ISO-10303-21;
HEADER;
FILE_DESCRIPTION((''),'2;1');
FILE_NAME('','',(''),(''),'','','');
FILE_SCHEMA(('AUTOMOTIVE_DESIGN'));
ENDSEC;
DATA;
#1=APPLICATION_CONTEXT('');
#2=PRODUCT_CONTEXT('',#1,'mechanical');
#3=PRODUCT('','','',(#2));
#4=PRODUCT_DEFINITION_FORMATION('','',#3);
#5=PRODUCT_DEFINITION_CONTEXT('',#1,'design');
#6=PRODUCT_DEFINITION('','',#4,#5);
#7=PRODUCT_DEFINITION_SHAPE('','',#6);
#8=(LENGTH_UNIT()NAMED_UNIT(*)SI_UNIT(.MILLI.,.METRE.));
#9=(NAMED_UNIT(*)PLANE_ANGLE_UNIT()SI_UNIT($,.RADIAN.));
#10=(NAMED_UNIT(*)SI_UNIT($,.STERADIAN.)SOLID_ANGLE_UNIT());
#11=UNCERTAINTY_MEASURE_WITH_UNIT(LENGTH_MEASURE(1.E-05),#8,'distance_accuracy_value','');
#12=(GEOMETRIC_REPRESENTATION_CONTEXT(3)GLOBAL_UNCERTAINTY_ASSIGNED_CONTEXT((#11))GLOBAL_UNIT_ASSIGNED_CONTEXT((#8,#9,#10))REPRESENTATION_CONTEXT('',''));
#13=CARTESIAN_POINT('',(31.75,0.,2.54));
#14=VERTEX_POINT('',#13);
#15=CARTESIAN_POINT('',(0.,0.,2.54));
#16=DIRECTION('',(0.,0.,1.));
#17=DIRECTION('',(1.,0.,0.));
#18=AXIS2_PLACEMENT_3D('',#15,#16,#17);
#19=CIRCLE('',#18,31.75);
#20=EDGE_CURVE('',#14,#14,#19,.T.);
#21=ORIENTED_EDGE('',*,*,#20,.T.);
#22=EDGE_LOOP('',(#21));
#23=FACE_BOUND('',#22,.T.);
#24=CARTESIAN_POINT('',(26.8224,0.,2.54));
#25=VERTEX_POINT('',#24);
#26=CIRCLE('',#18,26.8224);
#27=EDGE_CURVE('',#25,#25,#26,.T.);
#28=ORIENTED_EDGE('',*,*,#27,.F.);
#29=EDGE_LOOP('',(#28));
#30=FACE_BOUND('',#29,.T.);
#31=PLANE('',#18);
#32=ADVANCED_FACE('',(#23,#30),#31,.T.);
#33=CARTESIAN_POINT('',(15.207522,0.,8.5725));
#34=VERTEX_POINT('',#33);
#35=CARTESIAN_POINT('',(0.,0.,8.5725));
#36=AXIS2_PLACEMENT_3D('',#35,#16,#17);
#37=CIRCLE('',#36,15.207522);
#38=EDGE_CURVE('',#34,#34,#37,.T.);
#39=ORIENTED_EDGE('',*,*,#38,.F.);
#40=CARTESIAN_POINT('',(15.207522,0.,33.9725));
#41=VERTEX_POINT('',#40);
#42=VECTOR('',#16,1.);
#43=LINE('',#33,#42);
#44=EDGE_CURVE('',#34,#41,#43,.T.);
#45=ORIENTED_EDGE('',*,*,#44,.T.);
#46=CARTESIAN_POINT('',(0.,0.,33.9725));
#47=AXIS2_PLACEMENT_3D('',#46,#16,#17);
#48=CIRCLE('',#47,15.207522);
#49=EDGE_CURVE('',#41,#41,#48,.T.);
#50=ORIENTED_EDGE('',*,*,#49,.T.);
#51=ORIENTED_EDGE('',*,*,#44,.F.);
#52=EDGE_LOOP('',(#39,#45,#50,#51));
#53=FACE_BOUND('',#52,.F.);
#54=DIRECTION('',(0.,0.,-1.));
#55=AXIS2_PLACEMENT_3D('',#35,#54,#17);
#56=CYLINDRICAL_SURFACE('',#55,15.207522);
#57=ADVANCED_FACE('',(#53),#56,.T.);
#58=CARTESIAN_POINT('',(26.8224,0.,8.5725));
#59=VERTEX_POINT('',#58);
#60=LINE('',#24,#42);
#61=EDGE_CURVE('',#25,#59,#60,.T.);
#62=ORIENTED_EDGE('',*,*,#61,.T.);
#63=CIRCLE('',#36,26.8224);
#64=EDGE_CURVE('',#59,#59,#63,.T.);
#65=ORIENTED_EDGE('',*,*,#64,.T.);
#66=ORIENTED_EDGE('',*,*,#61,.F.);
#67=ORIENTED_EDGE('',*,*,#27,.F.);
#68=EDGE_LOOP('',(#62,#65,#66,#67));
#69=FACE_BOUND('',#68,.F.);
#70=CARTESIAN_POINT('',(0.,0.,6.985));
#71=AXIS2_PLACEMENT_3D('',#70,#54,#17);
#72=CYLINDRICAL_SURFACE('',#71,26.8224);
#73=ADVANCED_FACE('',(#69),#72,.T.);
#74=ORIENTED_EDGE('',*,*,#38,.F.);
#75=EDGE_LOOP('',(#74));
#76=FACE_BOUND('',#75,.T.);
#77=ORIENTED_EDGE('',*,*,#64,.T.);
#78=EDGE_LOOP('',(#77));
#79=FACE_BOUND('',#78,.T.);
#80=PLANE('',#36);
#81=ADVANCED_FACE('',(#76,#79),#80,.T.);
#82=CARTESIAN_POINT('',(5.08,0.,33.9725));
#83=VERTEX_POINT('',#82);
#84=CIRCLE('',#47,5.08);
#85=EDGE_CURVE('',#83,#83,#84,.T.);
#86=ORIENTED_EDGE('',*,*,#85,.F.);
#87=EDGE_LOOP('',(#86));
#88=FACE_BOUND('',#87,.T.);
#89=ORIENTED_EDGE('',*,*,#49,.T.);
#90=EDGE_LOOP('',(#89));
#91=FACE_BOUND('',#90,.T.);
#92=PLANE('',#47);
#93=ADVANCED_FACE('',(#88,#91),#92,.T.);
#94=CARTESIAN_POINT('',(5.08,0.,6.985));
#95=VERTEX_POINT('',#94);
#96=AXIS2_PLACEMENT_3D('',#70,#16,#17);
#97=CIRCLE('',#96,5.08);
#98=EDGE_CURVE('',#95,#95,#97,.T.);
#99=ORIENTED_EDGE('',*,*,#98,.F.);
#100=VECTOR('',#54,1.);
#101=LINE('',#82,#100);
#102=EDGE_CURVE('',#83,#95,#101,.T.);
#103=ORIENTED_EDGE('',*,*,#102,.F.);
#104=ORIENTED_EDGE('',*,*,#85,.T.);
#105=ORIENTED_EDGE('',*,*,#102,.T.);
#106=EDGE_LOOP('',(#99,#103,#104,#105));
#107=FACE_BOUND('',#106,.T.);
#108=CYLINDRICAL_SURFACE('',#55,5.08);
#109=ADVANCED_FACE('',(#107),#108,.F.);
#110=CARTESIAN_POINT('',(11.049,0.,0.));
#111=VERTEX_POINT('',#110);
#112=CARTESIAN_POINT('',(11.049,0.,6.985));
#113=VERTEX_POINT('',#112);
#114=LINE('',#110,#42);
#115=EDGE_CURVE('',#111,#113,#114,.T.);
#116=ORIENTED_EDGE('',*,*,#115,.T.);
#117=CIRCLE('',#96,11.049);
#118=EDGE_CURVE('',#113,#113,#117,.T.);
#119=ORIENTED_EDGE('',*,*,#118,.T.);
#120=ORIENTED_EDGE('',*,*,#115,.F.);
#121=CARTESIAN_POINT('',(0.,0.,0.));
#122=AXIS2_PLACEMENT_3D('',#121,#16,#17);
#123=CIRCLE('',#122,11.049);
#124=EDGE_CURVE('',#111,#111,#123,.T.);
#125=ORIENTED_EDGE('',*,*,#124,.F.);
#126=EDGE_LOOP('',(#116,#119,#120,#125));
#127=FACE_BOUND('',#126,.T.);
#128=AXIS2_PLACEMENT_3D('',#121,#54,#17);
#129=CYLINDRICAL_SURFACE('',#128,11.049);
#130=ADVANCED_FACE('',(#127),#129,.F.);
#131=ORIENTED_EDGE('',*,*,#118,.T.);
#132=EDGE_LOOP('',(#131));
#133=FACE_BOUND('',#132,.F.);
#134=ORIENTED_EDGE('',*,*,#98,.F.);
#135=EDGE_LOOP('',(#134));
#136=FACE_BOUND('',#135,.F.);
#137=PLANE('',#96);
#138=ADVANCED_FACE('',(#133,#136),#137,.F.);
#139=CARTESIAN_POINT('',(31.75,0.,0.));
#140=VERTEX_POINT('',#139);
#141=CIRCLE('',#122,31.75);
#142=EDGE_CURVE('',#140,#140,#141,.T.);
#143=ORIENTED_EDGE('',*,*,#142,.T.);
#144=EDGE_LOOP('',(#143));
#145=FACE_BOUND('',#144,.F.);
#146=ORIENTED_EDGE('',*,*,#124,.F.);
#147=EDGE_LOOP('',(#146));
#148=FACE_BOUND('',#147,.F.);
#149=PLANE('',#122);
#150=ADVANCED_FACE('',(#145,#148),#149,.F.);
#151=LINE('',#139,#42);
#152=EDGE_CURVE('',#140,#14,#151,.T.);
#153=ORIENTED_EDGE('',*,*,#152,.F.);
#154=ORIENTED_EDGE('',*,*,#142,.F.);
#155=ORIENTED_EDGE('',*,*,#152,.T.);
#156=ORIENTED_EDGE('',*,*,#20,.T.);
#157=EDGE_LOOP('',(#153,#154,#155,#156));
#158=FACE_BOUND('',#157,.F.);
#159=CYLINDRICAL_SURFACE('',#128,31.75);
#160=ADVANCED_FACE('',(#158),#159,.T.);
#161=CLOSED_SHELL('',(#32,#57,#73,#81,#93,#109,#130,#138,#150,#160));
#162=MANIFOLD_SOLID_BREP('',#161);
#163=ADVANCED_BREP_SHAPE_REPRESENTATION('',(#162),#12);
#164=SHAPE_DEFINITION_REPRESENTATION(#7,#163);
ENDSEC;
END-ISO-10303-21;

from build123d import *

# Parameters (mm, degrees)
F0_R     = 26.8224
F0_R_2   = 11.049
F1_DEPTH = 6.985
F0_R_3   = 31.75
F2_DEPTH = 2.54
F3_R     = 26.8224
F3_R_2   = 11.049
F3_R_3   = 5.08
F4_DEPTH = 1.5875
F5_R     = 15.207522
F5_R_2   = 5.08
F6_DEPTH = 25.4


with BuildPart() as f1:
    # F0 (on Top) → F1 (new body)
    with BuildSketch(Plane.XY):
        Circle(F0_R)
        Circle(F0_R_2, mode=Mode.SUBTRACT)
    extrude(amount=F1_DEPTH)

    # F0 (on Top) → F2 (join)
    with BuildSketch(Plane.XY):
        Circle(F0_R_3)
        Circle(F0_R, mode=Mode.SUBTRACT)
    extrude(amount=F2_DEPTH)

    # F3 (on face) → F4 (join)
    with BuildSketch(Plane.XY.offset(6.985)):
        Circle(F3_R)
        Circle(F3_R_2, mode=Mode.SUBTRACT)
        Circle(F3_R_2)
        Circle(F3_R_3, mode=Mode.SUBTRACT)
    extrude(amount=F4_DEPTH)

    # F5 (on face) → F6 (join)
    with BuildSketch(Plane.XY.offset(8.5725)):
        Circle(F5_R)
        Circle(F5_R_2, mode=Mode.SUBTRACT)
    extrude(amount=F6_DEPTH)


solid = f1.part
